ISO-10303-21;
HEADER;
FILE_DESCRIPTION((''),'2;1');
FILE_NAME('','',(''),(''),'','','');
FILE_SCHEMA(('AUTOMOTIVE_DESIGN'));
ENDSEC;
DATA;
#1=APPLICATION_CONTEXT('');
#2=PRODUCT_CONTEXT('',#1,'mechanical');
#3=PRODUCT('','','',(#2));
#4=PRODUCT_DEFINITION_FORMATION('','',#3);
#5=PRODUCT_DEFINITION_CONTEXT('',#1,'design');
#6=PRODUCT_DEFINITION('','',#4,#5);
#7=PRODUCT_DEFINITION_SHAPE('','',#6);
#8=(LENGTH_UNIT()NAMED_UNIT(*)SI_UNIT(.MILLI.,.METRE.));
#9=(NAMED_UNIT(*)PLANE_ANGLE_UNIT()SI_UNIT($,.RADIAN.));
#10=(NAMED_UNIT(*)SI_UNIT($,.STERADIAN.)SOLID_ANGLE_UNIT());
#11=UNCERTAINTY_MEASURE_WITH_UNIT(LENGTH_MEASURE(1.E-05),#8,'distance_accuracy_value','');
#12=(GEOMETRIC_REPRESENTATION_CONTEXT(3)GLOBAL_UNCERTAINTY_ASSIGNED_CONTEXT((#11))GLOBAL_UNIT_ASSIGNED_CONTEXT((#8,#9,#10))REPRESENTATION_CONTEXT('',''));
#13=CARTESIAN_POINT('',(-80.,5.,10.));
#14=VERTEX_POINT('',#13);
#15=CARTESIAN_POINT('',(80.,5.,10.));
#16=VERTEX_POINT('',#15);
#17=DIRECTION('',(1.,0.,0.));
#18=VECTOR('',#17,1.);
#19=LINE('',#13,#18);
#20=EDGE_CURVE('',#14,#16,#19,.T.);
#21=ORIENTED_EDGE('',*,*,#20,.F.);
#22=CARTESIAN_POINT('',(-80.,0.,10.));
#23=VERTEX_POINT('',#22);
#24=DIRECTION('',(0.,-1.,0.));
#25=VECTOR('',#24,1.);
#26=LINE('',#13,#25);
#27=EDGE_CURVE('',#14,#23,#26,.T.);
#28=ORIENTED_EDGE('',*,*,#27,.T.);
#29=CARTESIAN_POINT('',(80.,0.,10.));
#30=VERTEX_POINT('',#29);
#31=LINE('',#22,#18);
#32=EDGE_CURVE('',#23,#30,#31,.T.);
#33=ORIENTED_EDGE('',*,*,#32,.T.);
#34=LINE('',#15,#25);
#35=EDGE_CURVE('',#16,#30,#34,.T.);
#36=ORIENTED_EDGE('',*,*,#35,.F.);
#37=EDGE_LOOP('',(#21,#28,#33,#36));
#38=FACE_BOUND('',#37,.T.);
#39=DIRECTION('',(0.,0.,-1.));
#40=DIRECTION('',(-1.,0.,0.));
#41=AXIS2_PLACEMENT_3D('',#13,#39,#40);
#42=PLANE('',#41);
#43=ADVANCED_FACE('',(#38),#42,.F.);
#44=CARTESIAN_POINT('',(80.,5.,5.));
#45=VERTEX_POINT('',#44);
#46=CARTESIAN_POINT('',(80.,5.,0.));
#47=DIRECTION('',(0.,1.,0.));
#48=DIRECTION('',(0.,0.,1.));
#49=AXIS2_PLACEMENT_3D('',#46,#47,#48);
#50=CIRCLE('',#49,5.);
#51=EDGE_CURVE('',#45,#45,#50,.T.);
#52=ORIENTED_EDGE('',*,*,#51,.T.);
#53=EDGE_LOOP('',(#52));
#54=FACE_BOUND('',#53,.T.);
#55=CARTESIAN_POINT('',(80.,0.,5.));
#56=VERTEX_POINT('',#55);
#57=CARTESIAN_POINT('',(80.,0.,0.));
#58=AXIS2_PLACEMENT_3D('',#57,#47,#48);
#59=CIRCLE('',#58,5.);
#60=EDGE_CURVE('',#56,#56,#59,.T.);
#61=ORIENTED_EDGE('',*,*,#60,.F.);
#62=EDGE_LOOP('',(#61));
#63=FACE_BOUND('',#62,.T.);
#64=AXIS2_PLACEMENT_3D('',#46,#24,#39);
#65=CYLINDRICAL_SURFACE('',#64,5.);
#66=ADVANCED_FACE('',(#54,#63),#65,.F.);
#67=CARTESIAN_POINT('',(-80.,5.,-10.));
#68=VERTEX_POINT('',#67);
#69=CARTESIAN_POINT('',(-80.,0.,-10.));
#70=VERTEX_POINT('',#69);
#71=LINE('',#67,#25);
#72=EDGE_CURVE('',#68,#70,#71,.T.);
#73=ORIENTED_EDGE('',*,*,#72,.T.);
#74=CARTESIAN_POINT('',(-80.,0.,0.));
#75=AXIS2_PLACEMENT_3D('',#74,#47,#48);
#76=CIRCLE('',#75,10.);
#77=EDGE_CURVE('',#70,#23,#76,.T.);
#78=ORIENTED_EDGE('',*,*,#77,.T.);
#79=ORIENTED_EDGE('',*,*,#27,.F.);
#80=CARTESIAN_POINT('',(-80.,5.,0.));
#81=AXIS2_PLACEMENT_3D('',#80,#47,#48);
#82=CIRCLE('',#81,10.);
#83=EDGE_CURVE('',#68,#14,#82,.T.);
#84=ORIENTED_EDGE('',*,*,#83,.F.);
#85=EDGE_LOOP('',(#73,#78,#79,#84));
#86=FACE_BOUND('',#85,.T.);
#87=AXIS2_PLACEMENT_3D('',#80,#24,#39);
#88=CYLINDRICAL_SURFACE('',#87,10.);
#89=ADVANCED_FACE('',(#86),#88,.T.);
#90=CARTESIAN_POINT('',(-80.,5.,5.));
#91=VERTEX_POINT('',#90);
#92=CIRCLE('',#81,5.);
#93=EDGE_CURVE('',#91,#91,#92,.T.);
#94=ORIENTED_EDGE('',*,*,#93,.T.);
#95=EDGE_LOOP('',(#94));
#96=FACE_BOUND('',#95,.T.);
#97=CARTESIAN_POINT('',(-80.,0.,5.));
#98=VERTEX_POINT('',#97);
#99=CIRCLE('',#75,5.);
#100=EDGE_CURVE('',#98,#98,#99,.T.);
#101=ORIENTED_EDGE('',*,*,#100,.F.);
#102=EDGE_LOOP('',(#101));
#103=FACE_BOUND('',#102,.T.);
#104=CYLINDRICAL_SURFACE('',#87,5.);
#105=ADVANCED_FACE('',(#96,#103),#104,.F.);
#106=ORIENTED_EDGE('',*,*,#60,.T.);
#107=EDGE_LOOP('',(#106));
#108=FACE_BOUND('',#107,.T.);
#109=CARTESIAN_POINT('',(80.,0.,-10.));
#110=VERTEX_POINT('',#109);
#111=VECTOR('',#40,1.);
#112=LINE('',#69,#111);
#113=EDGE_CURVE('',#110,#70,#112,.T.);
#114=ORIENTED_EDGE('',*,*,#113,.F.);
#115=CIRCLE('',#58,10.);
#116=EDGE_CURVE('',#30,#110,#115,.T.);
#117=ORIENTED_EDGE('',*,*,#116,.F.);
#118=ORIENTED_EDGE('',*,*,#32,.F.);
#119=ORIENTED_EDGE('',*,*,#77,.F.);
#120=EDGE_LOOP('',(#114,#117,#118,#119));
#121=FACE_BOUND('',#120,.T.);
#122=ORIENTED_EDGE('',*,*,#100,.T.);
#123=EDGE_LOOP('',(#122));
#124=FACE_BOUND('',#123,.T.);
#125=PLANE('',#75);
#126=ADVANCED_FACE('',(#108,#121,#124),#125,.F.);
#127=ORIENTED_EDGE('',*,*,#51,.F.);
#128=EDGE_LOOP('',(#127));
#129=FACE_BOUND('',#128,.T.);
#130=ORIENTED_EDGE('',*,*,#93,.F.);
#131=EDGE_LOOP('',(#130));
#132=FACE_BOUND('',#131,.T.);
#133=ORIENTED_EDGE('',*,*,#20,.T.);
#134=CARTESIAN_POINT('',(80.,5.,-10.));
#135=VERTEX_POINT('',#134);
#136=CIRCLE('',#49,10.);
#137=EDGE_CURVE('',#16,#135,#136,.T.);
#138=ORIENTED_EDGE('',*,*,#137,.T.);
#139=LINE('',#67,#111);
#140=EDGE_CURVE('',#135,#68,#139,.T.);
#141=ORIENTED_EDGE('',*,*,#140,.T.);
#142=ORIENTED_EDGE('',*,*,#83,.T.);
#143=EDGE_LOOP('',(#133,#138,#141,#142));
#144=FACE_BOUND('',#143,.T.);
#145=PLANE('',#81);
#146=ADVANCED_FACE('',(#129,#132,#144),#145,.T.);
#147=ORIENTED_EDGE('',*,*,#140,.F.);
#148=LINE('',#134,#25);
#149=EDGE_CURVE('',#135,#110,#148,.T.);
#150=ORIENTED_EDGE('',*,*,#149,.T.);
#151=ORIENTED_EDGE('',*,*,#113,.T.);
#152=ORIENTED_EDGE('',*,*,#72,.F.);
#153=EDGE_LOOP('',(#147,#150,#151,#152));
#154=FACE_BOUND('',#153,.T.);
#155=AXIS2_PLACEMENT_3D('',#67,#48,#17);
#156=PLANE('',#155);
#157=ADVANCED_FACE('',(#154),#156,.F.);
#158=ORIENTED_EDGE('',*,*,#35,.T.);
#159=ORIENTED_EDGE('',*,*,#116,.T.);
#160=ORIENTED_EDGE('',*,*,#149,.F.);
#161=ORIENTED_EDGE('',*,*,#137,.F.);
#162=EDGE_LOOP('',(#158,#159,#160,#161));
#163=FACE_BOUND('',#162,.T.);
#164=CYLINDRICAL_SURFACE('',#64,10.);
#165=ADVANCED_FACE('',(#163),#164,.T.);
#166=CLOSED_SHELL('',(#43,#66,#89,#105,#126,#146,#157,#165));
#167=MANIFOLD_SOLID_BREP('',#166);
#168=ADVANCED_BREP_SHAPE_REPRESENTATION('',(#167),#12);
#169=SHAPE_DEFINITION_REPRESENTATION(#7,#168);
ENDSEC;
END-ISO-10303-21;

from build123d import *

# Parameters (mm, degrees)
SKETCH1_R           = 5
BOSS_EXTRUDE1_DEPTH = 5


with BuildPart() as part:
    # Sketch1 → Boss-Extrude1 (new body)
    with BuildSketch(Plane(origin=(0, 0, 0), x_dir=(1, 0, 0), z_dir=(0, 1, 0))):
        with BuildLine():
            Line((-80, 10), (80, 10))
            ThreePointArc((80, 10), (90, 0), (80, -10))
            Line((80, -10), (-80, -10))
            ThreePointArc((-80, -10), (-90, 0), (-80, 10))
        make_face()
        with Locations((-80, 0)):
            Circle(SKETCH1_R, mode=Mode.SUBTRACT)
        with Locations((80, 0)):
            Circle(SKETCH1_R, mode=Mode.SUBTRACT)
    extrude(amount=BOSS_EXTRUDE1_DEPTH)


solid = part.part
